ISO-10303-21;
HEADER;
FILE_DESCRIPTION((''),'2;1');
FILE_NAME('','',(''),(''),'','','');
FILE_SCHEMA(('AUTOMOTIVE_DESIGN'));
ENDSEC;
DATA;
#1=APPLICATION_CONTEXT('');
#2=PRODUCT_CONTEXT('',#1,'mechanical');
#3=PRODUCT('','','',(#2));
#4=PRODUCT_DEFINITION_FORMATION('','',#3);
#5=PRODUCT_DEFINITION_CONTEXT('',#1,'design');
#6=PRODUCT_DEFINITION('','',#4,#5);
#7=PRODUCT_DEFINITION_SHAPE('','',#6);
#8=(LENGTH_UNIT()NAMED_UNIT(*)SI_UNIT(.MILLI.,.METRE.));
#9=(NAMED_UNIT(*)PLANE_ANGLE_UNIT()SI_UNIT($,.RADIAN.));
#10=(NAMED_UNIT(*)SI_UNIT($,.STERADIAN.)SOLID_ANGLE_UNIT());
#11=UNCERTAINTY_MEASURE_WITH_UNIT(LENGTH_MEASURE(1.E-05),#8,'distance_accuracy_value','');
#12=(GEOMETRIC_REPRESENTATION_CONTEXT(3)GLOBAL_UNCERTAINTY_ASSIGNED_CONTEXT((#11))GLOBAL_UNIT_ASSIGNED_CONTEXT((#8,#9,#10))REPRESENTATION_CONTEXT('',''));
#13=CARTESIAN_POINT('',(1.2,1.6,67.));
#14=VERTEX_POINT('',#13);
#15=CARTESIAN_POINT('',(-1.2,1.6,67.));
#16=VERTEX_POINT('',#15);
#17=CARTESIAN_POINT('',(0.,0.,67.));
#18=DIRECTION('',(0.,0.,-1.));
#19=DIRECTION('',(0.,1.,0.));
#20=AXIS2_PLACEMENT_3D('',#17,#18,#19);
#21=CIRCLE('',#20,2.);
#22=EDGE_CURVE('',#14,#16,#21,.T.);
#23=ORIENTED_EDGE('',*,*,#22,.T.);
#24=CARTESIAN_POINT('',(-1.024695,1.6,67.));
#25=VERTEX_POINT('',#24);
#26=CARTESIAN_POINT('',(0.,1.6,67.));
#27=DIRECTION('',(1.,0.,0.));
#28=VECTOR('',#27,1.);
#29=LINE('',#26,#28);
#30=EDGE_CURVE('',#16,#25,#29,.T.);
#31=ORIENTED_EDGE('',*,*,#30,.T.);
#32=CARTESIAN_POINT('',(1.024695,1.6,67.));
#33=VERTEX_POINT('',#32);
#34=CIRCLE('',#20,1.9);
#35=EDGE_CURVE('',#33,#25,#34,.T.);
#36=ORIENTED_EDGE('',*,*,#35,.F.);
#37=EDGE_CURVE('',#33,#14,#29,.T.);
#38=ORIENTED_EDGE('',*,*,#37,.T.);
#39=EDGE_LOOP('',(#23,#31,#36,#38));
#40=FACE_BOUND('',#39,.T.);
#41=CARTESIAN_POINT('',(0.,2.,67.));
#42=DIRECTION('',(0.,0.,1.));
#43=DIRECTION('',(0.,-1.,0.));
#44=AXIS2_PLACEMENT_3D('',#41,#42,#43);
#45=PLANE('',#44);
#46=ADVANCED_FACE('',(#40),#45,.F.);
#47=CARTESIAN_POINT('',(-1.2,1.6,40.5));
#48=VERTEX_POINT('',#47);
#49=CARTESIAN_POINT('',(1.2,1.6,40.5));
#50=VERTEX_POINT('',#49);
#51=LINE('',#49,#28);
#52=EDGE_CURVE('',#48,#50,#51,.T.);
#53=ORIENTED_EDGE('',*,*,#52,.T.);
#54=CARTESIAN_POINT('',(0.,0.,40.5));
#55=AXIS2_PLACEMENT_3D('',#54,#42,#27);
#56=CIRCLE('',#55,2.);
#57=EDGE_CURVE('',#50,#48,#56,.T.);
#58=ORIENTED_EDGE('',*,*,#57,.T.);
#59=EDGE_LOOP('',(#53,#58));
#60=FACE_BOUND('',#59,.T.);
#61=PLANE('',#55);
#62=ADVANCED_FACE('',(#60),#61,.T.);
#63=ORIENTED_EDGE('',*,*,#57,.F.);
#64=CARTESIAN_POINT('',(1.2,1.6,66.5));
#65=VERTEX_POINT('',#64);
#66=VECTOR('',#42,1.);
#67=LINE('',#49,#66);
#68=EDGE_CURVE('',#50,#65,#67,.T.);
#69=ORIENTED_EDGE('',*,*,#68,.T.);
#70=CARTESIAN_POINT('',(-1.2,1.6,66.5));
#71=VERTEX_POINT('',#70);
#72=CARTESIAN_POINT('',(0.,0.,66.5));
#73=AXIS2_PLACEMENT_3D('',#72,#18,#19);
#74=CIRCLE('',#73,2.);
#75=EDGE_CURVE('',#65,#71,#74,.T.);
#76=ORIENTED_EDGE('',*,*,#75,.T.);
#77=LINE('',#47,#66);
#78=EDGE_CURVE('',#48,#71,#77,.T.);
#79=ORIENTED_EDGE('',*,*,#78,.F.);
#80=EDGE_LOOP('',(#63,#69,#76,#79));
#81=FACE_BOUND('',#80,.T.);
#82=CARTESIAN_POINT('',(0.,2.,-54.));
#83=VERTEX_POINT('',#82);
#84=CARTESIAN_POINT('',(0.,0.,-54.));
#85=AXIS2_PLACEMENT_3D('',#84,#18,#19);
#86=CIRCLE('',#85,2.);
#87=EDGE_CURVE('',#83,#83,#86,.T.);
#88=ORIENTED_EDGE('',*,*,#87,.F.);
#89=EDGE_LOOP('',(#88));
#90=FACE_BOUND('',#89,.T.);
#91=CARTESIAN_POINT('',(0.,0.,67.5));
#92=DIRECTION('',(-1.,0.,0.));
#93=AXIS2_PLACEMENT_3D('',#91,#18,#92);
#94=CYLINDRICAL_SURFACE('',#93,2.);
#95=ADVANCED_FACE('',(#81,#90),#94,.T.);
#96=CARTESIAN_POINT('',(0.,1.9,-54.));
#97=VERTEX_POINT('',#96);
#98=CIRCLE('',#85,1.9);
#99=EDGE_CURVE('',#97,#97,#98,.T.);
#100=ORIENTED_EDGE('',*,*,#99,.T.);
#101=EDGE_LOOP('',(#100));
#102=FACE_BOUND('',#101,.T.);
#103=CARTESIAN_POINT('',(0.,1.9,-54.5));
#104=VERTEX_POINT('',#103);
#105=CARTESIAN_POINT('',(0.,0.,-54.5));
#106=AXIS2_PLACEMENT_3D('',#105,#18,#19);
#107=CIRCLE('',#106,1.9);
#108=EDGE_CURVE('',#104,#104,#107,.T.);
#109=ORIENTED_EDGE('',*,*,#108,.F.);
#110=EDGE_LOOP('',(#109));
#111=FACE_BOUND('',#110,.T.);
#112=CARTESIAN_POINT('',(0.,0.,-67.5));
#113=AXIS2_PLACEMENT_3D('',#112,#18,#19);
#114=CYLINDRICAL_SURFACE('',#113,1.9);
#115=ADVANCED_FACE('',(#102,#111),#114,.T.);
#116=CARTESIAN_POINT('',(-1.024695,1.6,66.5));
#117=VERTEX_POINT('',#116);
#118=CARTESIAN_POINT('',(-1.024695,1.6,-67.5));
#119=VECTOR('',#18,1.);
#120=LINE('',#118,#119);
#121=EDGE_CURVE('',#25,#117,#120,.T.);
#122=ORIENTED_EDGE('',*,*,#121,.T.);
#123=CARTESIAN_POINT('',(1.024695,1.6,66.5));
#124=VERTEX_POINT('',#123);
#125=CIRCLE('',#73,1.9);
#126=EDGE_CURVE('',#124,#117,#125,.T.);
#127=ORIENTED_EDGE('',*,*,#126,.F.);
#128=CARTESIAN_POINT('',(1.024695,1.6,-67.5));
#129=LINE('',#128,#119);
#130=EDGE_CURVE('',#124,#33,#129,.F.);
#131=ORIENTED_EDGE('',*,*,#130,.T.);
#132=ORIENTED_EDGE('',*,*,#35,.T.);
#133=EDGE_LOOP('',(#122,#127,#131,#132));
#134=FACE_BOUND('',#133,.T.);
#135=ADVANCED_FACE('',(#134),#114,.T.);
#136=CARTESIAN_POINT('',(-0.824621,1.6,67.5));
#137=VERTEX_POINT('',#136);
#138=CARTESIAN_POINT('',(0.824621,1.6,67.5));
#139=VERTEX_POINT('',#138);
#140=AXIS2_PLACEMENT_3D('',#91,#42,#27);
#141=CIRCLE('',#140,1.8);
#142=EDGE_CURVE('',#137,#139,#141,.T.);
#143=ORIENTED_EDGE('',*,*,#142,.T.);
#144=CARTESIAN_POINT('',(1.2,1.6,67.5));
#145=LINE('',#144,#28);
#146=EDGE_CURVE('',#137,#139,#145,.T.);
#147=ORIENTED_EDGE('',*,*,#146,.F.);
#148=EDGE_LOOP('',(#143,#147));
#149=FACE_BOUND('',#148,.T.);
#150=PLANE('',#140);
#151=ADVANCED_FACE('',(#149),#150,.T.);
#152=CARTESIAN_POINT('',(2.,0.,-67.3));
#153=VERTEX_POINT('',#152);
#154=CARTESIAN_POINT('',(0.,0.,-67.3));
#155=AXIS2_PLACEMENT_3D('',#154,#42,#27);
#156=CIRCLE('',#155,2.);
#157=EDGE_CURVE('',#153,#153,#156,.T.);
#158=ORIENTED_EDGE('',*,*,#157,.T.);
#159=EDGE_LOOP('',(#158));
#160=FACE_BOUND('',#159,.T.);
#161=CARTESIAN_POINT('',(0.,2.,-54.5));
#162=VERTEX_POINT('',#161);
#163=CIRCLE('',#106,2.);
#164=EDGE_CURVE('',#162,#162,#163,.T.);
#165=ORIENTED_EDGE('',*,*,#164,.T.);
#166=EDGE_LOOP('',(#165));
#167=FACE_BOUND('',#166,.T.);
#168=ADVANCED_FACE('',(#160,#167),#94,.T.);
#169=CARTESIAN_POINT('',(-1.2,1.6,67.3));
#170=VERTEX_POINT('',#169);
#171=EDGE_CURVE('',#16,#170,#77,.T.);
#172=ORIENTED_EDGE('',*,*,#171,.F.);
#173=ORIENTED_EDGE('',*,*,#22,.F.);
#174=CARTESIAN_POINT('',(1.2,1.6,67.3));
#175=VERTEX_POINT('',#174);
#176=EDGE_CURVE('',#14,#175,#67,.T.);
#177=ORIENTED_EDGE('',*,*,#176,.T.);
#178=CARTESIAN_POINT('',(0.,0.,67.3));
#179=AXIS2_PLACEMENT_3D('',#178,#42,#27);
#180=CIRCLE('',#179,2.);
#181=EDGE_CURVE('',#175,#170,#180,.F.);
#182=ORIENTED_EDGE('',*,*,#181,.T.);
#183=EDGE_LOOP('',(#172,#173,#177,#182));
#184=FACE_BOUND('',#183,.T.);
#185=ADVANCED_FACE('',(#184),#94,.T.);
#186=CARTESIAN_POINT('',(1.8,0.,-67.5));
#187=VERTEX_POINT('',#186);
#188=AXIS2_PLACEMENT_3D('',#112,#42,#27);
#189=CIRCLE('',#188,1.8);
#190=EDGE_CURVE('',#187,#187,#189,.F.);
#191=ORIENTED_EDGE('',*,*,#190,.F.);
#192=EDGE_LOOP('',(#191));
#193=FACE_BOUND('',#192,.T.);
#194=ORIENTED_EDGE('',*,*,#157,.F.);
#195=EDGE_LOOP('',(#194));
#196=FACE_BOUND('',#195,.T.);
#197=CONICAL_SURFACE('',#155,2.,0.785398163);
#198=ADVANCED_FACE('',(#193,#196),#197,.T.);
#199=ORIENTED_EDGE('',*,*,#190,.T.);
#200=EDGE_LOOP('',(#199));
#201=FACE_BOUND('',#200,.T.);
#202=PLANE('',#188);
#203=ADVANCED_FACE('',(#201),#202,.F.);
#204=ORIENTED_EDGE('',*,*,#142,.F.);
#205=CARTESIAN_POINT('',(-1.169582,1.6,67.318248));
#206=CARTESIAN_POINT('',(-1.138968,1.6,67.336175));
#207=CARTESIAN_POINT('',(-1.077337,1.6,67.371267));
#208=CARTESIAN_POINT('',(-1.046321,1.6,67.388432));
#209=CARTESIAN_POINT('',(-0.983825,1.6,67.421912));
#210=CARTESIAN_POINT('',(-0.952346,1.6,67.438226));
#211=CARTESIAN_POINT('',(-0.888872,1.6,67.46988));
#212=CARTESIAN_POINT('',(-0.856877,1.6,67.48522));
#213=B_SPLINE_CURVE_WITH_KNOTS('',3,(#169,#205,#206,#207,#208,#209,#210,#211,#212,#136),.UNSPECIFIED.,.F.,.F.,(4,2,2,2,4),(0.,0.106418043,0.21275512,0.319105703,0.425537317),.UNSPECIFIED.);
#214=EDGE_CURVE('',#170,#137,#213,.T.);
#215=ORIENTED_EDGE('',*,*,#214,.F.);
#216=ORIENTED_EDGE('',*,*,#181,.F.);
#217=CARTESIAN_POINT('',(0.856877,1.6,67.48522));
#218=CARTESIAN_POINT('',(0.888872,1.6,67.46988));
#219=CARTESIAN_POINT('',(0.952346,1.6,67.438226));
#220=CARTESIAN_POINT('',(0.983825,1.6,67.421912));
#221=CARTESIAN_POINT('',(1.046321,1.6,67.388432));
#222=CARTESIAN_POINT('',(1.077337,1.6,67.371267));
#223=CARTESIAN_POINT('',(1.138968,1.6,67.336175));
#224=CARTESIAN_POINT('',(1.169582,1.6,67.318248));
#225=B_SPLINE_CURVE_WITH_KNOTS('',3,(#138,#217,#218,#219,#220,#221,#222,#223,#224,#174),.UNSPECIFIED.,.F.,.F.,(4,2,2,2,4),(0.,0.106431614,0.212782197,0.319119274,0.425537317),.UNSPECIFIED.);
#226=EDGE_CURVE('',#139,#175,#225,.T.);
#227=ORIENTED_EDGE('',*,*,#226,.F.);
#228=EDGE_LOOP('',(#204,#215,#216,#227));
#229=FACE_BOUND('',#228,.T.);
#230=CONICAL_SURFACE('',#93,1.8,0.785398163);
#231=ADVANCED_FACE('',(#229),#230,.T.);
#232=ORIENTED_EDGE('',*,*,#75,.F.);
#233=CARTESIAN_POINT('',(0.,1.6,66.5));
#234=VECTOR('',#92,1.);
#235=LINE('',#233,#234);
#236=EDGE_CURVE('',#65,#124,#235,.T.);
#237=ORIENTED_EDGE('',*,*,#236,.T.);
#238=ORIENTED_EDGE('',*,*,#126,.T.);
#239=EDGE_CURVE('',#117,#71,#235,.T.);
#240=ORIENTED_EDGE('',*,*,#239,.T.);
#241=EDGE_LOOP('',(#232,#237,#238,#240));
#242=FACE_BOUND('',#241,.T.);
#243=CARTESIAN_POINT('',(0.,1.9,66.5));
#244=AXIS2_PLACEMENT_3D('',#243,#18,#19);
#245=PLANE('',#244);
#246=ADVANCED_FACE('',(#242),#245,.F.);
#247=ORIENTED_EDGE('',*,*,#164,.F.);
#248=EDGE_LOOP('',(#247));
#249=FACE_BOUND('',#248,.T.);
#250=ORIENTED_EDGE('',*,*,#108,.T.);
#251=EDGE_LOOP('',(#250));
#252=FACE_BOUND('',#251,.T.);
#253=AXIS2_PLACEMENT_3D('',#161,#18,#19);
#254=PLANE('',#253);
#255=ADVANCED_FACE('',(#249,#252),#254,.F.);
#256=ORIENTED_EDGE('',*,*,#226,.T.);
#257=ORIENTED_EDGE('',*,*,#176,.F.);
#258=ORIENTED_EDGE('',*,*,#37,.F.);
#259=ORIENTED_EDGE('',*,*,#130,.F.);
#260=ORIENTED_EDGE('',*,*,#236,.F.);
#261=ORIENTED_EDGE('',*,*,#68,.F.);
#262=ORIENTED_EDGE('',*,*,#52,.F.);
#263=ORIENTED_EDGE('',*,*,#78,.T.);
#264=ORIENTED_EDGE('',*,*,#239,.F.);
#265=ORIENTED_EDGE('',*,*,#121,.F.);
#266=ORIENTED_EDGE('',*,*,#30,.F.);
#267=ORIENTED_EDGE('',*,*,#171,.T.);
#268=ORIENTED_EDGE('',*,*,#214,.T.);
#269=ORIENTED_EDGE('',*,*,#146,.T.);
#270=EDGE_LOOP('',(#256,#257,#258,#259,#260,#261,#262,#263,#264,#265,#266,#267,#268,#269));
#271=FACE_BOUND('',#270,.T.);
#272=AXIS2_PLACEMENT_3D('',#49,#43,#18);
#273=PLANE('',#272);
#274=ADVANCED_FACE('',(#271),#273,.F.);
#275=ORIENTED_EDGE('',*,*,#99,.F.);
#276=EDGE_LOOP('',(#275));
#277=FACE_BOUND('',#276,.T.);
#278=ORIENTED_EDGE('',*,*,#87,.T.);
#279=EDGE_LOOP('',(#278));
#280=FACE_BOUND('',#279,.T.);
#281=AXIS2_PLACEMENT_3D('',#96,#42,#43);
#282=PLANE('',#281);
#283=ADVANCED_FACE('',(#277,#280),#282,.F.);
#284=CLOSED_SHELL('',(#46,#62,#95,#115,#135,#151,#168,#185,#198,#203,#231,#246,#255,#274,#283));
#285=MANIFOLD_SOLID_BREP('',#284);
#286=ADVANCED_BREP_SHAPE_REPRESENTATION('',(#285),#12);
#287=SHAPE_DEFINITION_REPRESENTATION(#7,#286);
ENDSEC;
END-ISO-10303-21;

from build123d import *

# Parameters (mm, degrees)
SKIZZE1_R                       = 2
AUFSATZ_LINEAR_AUSTRAGEN1_DEPTH = 67.5
SKIZZE7_W                       = 0.5
SKIZZE7_H                       = 0.1
SCHNITT_LINEAR_AUSTRAGEN1_DEPTH = 27
FASE1_SIZE                      = 0.2


with BuildPart() as part:
    # Skizze1 → Aufsatz-Linear austragen1 (new, symmetric)
    with BuildSketch(Plane.XY):
        Circle(SKIZZE1_R)
    extrude(amount=AUFSATZ_LINEAR_AUSTRAGEN1_DEPTH, both=True)

    # Skizze7 → Schnitt-Rotation1 (revolve, cut)
    with BuildSketch(Plane(origin=(0, 0, 0), x_dir=(0, 0, -1), z_dir=(1, 0, 0))):
        with Locations((-66.75, 1.95)):
            Rectangle(SKIZZE7_W, SKIZZE7_H)
        with Locations((54.25, 1.95)):
            Rectangle(SKIZZE7_W, SKIZZE7_H)
    revolve(axis=Axis((0, 0, -67.5), (0, 0, 1)), mode=Mode.SUBTRACT)

    # Skizze8 → Schnitt-Linear austragen1 (cut)
    with BuildSketch(Plane.XY.offset(67.5)):
        with BuildLine():
            Line((1.2, 1.6), (-1.2, 1.6))
            ThreePointArc((-1.2, 1.6), (0, 2), (1.2, 1.6))
        make_face()
    extrude(amount=-SCHNITT_LINEAR_AUSTRAGEN1_DEPTH, mode=Mode.SUBTRACT)

    # Fase1
    fase1_edges = [part.edges().sort_by_distance(p)[0] for p in [
        (-2, 0, -67.5),
        (0, -2, 67.5),
    ]]
    chamfer(fase1_edges, length=FASE1_SIZE)


solid = part.part
